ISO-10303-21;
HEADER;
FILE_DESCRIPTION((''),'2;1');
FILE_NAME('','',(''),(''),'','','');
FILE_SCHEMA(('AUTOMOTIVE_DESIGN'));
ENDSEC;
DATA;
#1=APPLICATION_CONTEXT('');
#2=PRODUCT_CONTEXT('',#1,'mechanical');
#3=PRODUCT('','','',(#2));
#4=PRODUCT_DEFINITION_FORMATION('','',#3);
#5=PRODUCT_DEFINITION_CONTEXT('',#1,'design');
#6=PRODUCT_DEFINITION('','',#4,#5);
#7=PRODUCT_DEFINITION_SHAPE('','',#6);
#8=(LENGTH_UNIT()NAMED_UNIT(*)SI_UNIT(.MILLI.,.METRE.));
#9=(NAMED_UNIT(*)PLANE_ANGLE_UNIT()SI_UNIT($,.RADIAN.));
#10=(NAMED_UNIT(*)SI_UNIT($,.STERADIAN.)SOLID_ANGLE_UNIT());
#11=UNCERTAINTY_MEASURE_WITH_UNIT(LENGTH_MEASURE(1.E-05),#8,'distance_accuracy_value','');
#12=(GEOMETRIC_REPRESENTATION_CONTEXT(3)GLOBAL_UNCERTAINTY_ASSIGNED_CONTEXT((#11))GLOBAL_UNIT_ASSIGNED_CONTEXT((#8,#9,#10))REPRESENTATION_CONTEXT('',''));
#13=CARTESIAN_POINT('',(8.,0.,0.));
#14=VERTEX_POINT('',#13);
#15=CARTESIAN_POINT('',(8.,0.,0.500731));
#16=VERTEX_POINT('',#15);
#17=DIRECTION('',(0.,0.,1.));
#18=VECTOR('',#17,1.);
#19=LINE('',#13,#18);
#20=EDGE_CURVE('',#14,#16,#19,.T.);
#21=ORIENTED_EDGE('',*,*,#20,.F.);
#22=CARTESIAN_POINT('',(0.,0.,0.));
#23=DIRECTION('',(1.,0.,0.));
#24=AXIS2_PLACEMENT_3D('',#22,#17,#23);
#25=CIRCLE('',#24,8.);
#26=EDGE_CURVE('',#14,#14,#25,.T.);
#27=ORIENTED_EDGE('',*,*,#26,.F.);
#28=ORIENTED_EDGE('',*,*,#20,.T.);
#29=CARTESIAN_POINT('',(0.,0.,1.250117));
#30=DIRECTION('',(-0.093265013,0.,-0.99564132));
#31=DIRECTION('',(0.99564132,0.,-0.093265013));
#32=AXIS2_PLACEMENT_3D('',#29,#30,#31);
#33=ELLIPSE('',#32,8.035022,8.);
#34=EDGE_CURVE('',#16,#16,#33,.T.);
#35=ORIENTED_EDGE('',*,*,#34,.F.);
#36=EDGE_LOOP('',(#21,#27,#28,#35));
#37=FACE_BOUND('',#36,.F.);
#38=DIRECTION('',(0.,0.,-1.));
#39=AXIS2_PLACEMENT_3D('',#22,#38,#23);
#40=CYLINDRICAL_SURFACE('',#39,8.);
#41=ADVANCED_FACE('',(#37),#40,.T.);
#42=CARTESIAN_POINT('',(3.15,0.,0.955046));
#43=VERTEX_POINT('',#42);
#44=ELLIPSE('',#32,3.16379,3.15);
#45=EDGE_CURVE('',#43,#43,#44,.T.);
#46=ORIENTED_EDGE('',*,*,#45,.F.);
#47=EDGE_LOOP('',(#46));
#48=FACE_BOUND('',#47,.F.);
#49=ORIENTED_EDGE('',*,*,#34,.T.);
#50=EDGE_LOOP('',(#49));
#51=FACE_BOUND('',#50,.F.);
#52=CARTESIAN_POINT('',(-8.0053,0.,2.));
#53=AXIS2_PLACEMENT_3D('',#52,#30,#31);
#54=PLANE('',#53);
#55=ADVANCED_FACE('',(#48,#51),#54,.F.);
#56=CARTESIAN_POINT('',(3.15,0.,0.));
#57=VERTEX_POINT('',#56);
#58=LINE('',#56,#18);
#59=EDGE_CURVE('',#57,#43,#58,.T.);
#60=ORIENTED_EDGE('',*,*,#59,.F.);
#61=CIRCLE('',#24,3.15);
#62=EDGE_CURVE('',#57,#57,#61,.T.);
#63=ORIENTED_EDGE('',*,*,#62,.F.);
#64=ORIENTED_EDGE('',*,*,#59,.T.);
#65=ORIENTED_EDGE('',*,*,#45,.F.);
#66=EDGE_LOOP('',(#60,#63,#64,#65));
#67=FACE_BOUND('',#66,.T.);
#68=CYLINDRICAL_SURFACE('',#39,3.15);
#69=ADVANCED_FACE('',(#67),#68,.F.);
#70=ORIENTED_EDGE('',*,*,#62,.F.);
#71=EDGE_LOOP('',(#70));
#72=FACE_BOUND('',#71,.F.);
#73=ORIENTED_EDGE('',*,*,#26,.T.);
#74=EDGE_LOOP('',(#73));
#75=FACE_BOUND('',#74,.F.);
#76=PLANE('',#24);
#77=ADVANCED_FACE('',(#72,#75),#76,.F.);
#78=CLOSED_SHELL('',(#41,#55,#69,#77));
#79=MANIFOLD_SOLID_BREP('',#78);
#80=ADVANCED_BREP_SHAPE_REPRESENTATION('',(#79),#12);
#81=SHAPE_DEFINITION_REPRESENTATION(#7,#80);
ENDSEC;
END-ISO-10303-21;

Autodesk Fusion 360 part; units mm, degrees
sketch "Esquisse1" plane through (0, 0, 0) normal (0, 0, 1) x (1, 0, 0)
  circle A0 centre (0, 0) radius 3.15
  circle A1 centre (0, 0) radius 8
  dimension "d1" = 6.3
  dimension "d2" = 16
extrude "Extrusion1" add sketch "Esquisse1" along normal blind 2
sketch "Esquisse2" plane through (0, 0, 0) normal (0, 1, 0) x (1, 0, 0)
  line L0 (-8.0053, -2) -> (8.0078, -0.5)
  line L1 (8.0078, -0.5) -> (8.0078, -2)
  line L2 (8.0078, -2) -> (-8.0053, -2)
  dimension "d5" = 1.5
extrude "Extrusion2" cut sketch "Esquisse2" along normal mid plane 20
